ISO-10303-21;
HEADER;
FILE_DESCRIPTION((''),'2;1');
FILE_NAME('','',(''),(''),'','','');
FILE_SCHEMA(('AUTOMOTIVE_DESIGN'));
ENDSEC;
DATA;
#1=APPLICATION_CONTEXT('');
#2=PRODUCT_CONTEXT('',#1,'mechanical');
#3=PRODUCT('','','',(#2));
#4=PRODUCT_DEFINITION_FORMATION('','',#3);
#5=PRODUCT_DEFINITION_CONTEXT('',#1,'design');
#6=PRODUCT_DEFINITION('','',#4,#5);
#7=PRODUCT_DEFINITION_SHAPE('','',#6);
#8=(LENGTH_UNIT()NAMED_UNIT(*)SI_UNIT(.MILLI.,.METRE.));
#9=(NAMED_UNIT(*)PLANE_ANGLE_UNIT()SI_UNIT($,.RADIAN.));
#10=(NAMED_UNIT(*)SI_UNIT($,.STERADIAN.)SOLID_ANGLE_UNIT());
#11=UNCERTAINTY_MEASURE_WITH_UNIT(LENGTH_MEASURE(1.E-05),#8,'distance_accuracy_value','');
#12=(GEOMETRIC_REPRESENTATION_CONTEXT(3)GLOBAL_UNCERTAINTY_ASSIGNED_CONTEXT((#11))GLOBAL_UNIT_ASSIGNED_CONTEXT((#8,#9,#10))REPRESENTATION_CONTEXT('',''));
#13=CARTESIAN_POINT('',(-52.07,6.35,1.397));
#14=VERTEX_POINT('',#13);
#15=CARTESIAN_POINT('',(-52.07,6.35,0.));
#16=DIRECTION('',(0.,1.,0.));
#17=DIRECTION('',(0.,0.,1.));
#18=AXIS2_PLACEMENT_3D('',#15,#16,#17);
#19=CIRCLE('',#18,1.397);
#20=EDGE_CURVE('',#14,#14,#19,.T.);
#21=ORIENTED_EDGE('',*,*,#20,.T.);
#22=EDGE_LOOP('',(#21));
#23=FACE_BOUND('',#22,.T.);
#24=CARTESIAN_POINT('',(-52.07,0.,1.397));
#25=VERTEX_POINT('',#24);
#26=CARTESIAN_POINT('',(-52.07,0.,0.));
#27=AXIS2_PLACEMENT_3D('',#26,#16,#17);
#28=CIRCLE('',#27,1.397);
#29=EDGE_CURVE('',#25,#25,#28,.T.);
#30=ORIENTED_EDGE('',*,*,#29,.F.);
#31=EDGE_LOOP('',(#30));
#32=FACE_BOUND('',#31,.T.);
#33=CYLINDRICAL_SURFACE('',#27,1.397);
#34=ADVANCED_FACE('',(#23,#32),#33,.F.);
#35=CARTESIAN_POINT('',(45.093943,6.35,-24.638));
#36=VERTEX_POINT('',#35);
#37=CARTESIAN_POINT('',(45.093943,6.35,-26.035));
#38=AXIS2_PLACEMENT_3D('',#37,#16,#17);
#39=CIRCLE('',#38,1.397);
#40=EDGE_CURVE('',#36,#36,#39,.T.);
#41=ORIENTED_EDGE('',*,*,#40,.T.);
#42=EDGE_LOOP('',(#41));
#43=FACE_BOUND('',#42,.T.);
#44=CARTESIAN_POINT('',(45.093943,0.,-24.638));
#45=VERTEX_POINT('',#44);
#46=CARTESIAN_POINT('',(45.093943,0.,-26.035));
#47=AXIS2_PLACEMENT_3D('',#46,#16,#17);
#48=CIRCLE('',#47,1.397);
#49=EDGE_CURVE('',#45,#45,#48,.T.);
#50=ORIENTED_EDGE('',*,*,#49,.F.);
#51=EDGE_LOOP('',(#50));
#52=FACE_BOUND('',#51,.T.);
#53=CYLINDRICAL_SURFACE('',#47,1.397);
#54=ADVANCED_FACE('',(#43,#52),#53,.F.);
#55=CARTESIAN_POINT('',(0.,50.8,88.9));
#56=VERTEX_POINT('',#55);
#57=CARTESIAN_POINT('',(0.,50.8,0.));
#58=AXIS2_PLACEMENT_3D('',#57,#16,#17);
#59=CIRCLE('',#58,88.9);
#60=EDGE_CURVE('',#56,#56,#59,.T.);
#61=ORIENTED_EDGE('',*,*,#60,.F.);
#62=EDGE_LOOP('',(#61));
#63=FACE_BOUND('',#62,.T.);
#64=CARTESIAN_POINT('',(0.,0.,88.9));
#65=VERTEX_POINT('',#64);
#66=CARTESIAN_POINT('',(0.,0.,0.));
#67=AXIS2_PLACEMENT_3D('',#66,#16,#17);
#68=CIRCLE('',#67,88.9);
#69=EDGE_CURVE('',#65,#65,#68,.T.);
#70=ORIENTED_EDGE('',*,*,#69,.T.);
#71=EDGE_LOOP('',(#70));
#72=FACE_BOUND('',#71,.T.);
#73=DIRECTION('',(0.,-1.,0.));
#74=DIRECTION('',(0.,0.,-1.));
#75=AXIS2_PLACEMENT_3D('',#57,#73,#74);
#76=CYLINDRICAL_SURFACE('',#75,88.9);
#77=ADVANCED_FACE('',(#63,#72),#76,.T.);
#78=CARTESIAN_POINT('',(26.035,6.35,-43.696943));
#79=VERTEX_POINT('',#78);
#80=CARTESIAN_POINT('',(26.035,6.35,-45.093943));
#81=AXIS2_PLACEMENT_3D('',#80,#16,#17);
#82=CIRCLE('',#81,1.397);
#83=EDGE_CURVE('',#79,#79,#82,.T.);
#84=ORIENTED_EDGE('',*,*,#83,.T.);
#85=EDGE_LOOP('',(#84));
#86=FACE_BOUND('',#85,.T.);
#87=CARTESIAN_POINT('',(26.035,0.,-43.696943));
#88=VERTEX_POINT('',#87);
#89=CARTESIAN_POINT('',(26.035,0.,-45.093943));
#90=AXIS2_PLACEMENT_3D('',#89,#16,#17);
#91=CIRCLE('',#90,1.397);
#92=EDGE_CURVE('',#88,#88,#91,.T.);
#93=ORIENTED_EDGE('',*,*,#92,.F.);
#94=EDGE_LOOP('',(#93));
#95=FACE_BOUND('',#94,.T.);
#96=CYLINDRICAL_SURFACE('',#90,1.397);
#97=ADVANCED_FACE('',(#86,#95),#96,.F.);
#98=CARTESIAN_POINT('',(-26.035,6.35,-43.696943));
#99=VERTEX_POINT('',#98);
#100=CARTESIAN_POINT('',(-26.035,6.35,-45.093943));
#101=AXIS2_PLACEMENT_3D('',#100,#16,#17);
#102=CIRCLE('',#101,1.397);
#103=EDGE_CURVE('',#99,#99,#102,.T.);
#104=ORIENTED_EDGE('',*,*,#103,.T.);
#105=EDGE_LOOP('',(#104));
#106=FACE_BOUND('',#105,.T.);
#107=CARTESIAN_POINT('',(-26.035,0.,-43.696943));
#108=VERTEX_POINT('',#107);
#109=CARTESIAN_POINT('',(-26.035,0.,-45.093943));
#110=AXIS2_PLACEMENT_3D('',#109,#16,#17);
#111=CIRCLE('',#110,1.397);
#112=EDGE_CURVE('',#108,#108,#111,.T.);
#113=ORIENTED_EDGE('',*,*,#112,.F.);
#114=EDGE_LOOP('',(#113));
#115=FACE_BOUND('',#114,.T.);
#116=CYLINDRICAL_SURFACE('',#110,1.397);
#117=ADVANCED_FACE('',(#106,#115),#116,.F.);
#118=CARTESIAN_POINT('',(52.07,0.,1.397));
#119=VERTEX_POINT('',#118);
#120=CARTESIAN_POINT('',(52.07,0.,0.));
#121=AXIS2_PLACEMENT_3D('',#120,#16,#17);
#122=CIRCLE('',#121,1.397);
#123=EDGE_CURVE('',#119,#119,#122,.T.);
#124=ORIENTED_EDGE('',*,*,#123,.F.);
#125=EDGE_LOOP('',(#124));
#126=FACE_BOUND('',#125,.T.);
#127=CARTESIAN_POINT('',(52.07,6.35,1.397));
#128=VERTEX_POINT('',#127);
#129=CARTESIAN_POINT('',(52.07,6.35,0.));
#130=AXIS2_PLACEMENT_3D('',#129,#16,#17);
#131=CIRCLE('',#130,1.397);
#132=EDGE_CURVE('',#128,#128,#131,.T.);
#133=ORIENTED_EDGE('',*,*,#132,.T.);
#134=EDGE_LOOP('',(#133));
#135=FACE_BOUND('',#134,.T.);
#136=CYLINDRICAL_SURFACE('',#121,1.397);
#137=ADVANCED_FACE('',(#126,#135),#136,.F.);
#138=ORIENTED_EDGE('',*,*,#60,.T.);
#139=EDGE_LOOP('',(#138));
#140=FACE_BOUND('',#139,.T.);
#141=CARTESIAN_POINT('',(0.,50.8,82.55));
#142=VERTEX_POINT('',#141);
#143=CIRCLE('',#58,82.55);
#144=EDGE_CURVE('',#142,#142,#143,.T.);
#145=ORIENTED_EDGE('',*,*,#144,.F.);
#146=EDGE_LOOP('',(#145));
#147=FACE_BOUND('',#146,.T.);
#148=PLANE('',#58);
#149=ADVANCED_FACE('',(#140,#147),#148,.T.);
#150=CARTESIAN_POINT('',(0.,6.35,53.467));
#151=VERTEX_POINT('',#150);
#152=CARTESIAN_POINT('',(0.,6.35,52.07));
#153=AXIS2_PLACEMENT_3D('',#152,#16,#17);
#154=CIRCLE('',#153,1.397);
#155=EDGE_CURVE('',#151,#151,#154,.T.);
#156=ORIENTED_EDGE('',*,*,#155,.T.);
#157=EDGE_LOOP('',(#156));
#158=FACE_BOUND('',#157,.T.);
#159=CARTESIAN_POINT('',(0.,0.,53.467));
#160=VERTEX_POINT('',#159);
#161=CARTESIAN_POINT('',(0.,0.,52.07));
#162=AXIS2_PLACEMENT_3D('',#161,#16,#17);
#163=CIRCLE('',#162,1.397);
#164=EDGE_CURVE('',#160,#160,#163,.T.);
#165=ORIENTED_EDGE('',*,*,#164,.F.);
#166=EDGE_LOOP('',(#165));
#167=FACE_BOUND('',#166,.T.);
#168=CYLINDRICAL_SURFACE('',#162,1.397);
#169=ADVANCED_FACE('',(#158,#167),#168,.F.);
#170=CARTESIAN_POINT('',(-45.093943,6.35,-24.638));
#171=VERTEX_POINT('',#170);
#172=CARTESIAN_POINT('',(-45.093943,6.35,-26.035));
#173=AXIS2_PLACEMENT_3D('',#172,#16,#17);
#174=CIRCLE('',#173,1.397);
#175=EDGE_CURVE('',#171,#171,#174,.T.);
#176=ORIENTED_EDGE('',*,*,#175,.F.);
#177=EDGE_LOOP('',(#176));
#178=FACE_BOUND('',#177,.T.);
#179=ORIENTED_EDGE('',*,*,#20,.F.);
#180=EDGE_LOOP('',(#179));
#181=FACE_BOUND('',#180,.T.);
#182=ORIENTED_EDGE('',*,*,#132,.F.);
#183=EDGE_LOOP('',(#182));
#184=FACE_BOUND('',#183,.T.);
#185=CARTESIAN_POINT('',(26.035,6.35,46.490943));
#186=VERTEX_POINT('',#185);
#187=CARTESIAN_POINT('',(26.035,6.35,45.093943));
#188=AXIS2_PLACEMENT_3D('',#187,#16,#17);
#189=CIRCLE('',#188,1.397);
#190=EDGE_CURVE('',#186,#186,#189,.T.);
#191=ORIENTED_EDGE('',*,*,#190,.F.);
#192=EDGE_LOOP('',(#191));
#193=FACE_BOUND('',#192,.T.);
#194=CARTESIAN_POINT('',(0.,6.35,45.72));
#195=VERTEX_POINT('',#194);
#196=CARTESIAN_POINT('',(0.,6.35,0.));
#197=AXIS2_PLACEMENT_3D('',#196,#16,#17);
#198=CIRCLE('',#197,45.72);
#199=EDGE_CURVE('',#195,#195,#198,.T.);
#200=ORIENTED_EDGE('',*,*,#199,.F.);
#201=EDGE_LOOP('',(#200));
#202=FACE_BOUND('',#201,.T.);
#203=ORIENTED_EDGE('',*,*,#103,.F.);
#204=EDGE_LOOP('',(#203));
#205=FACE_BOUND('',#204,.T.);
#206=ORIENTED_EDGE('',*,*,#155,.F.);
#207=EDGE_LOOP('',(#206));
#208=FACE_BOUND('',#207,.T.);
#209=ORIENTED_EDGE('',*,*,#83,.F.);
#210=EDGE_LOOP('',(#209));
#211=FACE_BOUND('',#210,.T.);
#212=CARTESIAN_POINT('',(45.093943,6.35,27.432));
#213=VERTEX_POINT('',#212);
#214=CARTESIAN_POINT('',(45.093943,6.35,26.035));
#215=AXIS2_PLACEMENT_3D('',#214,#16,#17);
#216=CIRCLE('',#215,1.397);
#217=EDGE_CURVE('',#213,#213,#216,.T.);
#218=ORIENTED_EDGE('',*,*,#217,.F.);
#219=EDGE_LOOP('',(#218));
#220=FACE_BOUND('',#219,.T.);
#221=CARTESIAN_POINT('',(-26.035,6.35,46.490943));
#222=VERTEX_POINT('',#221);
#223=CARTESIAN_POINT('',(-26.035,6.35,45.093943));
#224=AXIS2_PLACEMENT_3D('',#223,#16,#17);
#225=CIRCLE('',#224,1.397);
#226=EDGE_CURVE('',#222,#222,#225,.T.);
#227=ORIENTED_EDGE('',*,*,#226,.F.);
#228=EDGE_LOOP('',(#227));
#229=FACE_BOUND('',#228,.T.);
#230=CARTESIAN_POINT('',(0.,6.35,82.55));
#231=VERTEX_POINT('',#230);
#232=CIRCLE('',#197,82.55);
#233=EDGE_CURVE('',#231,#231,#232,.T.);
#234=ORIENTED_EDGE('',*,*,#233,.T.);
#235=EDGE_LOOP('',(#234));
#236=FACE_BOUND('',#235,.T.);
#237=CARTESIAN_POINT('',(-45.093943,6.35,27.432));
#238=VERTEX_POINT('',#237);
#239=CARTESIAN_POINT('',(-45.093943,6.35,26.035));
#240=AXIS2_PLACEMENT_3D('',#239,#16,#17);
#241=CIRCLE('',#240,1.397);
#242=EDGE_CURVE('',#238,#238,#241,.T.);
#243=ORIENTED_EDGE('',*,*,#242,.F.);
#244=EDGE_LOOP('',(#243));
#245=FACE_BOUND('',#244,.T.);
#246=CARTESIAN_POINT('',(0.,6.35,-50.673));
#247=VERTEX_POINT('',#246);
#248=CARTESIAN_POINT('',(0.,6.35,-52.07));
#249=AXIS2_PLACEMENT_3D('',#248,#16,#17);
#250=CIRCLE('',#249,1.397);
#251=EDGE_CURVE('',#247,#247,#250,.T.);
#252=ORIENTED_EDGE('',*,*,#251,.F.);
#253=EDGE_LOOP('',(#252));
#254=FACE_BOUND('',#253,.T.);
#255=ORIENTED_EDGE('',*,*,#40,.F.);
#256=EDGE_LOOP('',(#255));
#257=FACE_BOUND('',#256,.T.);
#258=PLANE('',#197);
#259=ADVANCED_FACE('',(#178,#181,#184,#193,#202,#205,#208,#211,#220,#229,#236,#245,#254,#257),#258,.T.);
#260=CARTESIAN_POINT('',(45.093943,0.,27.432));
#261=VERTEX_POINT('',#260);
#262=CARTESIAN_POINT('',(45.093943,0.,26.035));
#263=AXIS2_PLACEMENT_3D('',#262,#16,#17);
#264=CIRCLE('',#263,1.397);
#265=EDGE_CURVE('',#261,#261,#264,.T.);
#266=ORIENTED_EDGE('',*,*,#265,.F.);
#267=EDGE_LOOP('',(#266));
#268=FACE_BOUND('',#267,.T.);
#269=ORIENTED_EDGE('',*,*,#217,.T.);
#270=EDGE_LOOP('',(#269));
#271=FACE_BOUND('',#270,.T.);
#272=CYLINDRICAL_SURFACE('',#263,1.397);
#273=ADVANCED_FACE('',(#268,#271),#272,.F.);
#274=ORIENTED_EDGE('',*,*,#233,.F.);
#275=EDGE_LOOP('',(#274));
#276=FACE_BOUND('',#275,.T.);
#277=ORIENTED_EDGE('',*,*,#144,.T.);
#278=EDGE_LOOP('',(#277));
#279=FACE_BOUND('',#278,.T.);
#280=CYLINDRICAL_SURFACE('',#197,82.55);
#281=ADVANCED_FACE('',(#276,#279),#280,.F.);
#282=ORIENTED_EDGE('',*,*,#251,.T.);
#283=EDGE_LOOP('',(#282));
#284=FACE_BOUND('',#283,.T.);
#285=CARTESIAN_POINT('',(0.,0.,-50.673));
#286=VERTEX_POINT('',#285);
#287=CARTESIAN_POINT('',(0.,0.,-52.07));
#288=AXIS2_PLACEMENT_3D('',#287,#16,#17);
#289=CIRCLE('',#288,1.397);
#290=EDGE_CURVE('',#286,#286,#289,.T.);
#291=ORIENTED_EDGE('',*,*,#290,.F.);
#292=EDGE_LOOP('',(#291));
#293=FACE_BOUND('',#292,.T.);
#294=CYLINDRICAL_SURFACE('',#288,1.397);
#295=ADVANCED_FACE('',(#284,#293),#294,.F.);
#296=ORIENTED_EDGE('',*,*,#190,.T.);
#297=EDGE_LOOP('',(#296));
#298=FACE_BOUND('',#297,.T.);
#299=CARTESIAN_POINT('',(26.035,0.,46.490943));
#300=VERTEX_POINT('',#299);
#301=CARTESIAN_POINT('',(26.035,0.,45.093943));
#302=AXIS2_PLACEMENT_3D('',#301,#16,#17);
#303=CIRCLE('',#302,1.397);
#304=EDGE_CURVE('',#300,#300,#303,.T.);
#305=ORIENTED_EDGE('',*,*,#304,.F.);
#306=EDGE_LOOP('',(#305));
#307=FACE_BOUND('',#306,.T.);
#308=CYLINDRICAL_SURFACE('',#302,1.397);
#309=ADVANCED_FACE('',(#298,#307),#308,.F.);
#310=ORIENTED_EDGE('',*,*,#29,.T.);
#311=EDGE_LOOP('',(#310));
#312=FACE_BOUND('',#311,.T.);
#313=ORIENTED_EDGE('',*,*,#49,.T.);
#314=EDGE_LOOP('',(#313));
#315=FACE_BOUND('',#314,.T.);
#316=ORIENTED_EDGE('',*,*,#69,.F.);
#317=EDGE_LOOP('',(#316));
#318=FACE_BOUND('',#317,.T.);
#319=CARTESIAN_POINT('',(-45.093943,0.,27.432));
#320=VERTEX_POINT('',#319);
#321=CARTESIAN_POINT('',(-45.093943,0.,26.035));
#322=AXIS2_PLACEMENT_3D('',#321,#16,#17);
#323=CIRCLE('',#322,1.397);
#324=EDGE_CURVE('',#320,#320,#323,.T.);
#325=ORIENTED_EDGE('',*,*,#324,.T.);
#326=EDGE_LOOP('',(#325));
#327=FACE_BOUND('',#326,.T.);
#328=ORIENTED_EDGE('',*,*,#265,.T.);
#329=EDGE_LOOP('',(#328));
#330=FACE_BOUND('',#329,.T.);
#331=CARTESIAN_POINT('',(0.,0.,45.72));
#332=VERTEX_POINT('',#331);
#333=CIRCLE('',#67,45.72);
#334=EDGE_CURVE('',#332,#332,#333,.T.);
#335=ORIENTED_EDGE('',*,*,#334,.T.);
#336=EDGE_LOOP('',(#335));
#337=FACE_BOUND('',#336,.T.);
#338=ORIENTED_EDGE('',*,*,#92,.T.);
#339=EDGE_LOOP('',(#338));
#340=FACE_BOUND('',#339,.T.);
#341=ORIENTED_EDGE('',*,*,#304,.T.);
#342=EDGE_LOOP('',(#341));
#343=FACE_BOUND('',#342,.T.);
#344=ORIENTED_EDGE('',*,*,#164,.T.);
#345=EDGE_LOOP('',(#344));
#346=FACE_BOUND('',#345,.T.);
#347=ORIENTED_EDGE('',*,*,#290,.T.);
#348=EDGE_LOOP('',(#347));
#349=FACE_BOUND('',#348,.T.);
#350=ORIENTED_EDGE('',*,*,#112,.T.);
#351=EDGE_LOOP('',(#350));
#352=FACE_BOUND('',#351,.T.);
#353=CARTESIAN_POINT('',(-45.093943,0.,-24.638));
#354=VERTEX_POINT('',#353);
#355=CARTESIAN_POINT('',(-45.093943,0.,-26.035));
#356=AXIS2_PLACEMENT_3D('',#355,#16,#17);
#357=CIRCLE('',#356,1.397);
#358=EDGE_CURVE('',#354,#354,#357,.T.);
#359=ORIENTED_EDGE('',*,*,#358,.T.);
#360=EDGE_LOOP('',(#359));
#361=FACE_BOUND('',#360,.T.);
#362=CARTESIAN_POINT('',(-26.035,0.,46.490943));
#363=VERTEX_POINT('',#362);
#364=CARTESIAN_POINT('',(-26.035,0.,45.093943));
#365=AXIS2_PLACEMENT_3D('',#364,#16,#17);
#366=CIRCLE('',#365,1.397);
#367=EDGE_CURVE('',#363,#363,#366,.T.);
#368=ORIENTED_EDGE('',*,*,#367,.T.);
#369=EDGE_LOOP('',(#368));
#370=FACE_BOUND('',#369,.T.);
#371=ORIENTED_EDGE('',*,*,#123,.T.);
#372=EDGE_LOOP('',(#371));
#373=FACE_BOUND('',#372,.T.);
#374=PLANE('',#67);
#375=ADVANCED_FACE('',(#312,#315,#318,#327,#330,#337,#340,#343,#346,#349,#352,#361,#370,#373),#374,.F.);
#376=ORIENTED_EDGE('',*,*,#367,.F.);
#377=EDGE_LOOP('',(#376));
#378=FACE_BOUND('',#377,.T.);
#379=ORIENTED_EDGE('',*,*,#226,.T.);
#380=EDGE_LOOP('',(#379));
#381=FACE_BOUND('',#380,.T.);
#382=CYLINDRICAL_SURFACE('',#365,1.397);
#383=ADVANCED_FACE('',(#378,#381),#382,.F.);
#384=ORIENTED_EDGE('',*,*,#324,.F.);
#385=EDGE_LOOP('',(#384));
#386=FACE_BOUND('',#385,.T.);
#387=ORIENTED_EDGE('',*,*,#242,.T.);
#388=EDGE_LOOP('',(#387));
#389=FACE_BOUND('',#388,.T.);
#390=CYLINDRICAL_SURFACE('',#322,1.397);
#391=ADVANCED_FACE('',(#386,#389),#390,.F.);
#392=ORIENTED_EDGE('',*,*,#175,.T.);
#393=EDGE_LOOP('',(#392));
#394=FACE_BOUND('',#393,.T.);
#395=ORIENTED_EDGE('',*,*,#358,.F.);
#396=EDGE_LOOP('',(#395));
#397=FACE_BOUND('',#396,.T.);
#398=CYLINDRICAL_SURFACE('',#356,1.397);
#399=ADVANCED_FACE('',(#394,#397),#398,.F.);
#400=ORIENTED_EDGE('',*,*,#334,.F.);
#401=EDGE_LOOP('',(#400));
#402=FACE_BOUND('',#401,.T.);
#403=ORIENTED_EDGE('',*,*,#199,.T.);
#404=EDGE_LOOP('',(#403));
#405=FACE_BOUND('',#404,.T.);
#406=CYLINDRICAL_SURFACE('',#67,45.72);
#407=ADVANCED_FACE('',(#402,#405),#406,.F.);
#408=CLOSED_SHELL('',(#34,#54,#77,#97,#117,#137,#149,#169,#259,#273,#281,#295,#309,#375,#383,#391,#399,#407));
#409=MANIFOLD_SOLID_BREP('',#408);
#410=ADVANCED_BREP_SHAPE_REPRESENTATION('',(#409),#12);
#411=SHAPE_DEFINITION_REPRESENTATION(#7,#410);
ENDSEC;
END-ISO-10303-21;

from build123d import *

# Parameters (mm, degrees)
SKETCH1_R           = 88.9
BOSS_EXTRUDE1_DEPTH = 50.8
SKETCH2_R           = 82.55
CUT_EXTRUDE1_DEPTH  = 44.45
SKETCH3_R           = 45.72
SKETCH3_R_2         = 1.397
CUT_EXTRUDE2_DEPTH  = 7.35


with BuildPart() as part:
    # Sketch1 → Boss-Extrude1 (new body)
    with BuildSketch(Plane(origin=(0, 0, 0), x_dir=(1, 0, 0), z_dir=(0, 1, 0))):
        Circle(SKETCH1_R)
    extrude(amount=BOSS_EXTRUDE1_DEPTH)

    # Sketch2 → Cut-Extrude1 (cut)
    with BuildSketch(Plane(origin=(0, 50.8, 0), x_dir=(1, 0, 0), z_dir=(0, 1, 0))):
        Circle(SKETCH2_R)
    extrude(amount=-CUT_EXTRUDE1_DEPTH, mode=Mode.SUBTRACT)

    # Sketch3 → Cut-Extrude2 (cut, through all)
    with BuildSketch(Plane(origin=(0, 6.35, 0), x_dir=(1, 0, 0), z_dir=(0, 1, 0))):
        Circle(SKETCH3_R)
        with Locations((0, 52.07)):
            Circle(SKETCH3_R_2)
        with Locations((26.035, 45.093942775)):
            Circle(SKETCH3_R_2)
        with Locations((45.093942775, 26.035)):
            Circle(SKETCH3_R_2)
        with Locations((52.07, 0)):
            Circle(SKETCH3_R_2)
        with Locations((45.093942775, -26.035)):
            Circle(SKETCH3_R_2)
        with Locations((26.035, -45.093942775)):
            Circle(SKETCH3_R_2)
        with Locations((0, -52.07)):
            Circle(SKETCH3_R_2)
        with Locations((-26.035, -45.093942775)):
            Circle(SKETCH3_R_2)
        with Locations((-45.093942775, -26.035)):
            Circle(SKETCH3_R_2)
        with Locations((-52.07, 0)):
            Circle(SKETCH3_R_2)
        with Locations((-45.093942775, 26.035)):
            Circle(SKETCH3_R_2)
        with Locations((-26.035, 45.093942775)):
            Circle(SKETCH3_R_2)
    extrude(amount=-CUT_EXTRUDE2_DEPTH, mode=Mode.SUBTRACT)


solid = part.part
